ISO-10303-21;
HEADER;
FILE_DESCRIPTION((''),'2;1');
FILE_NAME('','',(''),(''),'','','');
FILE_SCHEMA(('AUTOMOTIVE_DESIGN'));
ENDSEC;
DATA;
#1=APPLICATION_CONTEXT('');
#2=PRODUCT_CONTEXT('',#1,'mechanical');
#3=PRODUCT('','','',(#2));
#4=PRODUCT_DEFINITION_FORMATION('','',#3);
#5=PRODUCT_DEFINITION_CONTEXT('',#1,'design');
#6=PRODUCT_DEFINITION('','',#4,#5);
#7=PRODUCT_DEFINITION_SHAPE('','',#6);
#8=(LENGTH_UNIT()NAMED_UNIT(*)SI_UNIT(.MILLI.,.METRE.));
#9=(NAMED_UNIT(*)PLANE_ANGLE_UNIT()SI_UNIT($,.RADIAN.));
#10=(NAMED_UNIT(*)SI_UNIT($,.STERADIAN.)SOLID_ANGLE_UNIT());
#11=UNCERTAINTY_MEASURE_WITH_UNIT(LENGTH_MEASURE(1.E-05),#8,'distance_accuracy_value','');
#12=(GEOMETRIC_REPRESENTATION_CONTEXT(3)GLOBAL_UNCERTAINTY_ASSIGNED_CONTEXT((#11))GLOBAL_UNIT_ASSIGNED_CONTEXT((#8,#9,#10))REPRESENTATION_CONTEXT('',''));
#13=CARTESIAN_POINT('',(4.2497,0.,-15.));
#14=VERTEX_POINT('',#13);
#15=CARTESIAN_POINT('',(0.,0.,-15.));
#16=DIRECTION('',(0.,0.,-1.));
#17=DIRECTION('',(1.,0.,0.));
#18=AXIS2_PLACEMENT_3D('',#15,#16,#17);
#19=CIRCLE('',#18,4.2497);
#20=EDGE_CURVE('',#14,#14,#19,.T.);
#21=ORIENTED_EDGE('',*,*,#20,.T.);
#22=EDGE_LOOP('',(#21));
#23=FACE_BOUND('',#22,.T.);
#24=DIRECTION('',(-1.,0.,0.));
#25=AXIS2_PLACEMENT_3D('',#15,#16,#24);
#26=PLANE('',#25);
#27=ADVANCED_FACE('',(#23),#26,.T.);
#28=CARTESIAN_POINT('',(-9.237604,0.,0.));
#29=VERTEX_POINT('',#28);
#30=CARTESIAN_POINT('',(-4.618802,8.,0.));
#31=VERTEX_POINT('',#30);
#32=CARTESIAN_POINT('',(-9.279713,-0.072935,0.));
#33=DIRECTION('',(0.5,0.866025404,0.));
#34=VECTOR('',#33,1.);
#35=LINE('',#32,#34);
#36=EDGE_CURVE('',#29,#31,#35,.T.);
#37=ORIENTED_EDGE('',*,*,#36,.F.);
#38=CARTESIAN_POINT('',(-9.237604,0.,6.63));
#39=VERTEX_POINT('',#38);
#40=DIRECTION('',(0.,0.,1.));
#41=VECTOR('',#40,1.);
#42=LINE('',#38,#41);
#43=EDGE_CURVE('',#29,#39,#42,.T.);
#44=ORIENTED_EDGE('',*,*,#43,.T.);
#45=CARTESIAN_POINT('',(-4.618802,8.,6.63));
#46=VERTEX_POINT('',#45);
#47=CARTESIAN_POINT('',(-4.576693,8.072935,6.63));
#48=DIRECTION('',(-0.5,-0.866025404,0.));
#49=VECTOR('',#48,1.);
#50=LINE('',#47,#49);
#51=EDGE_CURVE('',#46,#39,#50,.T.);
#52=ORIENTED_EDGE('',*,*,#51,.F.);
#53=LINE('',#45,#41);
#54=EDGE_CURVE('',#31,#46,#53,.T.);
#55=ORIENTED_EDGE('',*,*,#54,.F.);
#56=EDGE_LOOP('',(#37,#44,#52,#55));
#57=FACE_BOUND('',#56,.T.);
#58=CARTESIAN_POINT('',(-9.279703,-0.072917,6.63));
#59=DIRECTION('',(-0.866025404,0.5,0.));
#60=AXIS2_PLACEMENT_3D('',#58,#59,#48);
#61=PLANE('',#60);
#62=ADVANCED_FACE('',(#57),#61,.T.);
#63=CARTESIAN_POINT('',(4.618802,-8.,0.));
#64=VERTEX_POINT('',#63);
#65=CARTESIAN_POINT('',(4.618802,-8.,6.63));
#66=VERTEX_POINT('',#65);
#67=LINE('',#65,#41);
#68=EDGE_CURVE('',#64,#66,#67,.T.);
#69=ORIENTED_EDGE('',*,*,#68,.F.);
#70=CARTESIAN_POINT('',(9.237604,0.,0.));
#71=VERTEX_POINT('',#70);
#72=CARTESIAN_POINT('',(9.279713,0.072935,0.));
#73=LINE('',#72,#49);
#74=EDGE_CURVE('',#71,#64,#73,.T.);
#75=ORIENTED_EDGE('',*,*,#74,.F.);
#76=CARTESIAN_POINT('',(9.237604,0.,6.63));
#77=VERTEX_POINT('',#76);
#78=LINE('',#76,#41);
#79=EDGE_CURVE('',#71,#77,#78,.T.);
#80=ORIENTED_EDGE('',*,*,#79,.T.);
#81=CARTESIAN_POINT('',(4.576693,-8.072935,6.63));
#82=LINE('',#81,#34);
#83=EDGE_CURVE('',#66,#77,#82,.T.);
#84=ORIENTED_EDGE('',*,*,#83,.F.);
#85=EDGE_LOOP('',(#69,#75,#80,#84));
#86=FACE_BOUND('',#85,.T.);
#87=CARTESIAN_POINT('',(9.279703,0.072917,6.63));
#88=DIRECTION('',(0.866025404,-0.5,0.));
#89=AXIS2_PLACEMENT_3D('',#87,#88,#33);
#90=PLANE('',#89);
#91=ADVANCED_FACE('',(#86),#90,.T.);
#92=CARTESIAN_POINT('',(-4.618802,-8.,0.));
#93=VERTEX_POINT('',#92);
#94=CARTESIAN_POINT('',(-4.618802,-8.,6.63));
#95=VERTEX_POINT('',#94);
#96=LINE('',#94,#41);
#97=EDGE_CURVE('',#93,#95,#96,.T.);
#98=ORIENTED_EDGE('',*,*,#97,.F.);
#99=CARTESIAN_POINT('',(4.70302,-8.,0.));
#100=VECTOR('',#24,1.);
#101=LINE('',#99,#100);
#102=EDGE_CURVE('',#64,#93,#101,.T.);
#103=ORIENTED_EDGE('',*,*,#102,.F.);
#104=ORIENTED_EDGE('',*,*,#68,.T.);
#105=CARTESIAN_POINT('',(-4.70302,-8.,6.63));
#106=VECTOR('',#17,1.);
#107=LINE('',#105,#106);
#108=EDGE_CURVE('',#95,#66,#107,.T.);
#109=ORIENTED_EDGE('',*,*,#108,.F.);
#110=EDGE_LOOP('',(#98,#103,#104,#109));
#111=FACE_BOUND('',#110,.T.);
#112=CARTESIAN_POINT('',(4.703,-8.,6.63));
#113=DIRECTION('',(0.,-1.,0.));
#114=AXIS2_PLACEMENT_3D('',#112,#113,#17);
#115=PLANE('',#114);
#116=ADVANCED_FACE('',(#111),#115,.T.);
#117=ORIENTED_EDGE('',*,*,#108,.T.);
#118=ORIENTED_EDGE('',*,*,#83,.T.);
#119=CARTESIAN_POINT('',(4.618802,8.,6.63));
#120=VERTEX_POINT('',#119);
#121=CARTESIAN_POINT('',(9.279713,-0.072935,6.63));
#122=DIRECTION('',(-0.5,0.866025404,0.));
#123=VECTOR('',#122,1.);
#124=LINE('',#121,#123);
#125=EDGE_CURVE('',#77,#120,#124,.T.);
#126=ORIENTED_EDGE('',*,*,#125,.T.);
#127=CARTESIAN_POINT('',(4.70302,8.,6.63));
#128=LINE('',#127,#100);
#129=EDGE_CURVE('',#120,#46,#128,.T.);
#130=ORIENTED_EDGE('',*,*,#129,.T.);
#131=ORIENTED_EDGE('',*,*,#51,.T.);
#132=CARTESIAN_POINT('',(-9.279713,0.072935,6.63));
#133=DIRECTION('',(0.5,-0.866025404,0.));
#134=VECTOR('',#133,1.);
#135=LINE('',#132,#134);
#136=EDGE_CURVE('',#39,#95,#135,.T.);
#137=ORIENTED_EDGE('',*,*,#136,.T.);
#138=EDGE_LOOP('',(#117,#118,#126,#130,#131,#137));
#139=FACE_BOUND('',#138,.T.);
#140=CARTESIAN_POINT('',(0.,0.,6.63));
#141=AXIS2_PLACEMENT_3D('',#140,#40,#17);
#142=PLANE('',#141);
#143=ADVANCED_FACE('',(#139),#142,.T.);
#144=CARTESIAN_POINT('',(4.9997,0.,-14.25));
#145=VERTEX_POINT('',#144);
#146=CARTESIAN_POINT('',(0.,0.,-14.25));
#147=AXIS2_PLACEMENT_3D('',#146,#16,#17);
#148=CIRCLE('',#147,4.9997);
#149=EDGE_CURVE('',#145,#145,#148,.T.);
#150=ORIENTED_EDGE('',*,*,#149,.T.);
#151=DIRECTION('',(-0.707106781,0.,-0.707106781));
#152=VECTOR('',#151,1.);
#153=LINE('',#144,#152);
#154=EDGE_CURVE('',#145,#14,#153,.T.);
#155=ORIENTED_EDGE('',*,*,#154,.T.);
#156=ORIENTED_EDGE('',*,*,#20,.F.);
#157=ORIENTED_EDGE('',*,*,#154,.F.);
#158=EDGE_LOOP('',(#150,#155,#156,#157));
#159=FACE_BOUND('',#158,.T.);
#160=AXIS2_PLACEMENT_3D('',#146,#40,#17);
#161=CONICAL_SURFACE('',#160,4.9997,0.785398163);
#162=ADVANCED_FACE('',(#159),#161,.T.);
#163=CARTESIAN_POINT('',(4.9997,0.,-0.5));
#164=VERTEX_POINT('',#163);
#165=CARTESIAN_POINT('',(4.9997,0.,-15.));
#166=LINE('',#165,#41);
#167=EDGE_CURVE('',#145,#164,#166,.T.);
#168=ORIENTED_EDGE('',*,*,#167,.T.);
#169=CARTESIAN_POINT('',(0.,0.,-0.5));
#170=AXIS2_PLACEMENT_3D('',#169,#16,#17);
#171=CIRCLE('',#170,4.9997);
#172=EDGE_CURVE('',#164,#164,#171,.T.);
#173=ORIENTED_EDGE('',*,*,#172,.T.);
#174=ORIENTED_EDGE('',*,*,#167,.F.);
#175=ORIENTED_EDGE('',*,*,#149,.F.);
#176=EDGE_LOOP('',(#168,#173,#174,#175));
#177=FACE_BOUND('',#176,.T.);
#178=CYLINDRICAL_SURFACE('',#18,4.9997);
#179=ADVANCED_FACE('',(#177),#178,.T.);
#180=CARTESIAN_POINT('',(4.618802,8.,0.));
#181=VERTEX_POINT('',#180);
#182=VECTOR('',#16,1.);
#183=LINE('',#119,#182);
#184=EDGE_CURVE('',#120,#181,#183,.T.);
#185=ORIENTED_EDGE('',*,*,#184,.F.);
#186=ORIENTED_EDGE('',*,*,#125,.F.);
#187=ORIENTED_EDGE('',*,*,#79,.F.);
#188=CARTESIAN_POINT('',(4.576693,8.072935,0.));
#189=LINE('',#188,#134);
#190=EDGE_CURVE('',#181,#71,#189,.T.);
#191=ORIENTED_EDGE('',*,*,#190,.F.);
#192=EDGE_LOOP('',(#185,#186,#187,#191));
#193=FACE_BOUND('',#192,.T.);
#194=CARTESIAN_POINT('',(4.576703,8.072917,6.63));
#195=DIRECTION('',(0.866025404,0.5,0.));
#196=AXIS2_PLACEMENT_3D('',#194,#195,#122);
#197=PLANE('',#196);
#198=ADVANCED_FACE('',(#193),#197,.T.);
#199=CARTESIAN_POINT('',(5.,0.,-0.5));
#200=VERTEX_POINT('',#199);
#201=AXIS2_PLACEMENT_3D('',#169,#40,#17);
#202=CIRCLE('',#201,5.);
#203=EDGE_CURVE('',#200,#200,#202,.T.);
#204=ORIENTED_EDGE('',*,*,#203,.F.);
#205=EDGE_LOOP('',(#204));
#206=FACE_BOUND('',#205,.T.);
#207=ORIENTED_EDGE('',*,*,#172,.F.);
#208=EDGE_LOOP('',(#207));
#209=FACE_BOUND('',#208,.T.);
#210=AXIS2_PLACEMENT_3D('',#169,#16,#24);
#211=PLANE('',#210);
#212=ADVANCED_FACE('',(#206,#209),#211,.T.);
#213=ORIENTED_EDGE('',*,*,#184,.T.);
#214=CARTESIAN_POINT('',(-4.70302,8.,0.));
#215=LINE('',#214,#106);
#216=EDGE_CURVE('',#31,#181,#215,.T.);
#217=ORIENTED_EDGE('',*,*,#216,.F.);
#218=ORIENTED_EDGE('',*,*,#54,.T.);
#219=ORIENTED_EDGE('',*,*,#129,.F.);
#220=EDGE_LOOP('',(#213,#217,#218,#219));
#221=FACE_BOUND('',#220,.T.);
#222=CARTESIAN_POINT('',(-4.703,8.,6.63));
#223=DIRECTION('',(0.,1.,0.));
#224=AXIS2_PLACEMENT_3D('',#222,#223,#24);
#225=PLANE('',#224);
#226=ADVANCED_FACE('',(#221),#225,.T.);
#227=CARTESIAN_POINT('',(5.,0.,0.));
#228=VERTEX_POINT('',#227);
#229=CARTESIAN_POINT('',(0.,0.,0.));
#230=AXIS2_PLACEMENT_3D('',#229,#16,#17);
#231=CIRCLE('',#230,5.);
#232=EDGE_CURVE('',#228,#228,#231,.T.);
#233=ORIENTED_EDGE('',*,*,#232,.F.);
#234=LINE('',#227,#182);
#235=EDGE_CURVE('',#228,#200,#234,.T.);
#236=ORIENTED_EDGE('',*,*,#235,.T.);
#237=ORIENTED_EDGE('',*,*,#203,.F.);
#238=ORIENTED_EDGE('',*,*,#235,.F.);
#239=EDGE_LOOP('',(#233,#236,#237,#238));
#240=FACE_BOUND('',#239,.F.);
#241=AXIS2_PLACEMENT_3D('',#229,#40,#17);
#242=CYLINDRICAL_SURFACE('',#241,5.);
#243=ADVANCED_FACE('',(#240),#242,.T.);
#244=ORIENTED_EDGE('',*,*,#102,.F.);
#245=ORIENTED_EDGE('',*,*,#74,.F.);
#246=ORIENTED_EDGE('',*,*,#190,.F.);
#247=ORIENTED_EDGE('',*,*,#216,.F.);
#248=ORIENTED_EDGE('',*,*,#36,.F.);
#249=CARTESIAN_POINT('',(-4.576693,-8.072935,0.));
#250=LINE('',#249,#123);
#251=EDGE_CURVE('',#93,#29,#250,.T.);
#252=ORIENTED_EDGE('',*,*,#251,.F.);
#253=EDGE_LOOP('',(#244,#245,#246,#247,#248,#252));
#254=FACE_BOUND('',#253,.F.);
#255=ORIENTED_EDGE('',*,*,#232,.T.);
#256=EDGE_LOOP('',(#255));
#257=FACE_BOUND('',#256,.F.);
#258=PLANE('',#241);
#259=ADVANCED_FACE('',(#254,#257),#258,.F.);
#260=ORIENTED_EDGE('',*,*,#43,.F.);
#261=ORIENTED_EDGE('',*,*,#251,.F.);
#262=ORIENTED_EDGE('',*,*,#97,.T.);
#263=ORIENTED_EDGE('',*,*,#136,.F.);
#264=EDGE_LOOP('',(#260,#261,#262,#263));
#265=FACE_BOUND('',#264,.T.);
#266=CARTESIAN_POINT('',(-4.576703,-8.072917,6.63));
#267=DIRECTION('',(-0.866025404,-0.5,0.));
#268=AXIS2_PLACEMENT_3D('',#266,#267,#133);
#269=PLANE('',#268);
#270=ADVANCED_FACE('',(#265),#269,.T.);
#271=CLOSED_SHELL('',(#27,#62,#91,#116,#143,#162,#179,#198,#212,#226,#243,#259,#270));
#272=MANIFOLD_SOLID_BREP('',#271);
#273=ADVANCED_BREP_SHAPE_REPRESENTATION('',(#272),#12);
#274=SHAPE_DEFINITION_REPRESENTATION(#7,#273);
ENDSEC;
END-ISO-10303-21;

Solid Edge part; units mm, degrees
sketch "Sketch1" plane through (0, 0, 0) normal (0, 0, 1) x (1, 0, 0)
  circle A0 centre (0, 0) radius 9.28
  dimension "D1" = 18.56
extrude "Protrusion1" add sketch "Sketch1" along normal blind 6.63
sketch "Sketch2" plane through (0, 0, 0) normal (0, 0, -1) x (1, 0, 0)
  circle A0 centre (0, 0) radius 5
extrude "Protrusion2" add sketch "Sketch2" along normal blind 15
sketch "Sketch3" plane through (0, 0, -15) normal (0, 0, -1) x (1, 0, 0)
  circle A0 centre (0, 0) radius 4.9997
extrude "Cutout1" cut sketch "Sketch3" against normal blind 14.5 flip side to cut
chamfer "Chamfer_1" distance 0.75 angle 45 1 edges at (-4.9997, 0, -15)
sketch "Sketch4" plane through (0, 0, 6.63) normal (0, 0, 1) x (1, 0, 0)
  line L0 (-4.703, 8) -> (4.703, 8)
  dimension "D1" = 16
extrude "Cutout2" cut sketch "Sketch4" against normal up to next material side at (0, 8.05, 6.63)
pattern_circular "Pattern1" count 6 over 360 about axis through (0, 0, 6.63) along (0, 0, 1) of "Cutout2"
properties part number "185548" material "Stainless Steel, 304"
